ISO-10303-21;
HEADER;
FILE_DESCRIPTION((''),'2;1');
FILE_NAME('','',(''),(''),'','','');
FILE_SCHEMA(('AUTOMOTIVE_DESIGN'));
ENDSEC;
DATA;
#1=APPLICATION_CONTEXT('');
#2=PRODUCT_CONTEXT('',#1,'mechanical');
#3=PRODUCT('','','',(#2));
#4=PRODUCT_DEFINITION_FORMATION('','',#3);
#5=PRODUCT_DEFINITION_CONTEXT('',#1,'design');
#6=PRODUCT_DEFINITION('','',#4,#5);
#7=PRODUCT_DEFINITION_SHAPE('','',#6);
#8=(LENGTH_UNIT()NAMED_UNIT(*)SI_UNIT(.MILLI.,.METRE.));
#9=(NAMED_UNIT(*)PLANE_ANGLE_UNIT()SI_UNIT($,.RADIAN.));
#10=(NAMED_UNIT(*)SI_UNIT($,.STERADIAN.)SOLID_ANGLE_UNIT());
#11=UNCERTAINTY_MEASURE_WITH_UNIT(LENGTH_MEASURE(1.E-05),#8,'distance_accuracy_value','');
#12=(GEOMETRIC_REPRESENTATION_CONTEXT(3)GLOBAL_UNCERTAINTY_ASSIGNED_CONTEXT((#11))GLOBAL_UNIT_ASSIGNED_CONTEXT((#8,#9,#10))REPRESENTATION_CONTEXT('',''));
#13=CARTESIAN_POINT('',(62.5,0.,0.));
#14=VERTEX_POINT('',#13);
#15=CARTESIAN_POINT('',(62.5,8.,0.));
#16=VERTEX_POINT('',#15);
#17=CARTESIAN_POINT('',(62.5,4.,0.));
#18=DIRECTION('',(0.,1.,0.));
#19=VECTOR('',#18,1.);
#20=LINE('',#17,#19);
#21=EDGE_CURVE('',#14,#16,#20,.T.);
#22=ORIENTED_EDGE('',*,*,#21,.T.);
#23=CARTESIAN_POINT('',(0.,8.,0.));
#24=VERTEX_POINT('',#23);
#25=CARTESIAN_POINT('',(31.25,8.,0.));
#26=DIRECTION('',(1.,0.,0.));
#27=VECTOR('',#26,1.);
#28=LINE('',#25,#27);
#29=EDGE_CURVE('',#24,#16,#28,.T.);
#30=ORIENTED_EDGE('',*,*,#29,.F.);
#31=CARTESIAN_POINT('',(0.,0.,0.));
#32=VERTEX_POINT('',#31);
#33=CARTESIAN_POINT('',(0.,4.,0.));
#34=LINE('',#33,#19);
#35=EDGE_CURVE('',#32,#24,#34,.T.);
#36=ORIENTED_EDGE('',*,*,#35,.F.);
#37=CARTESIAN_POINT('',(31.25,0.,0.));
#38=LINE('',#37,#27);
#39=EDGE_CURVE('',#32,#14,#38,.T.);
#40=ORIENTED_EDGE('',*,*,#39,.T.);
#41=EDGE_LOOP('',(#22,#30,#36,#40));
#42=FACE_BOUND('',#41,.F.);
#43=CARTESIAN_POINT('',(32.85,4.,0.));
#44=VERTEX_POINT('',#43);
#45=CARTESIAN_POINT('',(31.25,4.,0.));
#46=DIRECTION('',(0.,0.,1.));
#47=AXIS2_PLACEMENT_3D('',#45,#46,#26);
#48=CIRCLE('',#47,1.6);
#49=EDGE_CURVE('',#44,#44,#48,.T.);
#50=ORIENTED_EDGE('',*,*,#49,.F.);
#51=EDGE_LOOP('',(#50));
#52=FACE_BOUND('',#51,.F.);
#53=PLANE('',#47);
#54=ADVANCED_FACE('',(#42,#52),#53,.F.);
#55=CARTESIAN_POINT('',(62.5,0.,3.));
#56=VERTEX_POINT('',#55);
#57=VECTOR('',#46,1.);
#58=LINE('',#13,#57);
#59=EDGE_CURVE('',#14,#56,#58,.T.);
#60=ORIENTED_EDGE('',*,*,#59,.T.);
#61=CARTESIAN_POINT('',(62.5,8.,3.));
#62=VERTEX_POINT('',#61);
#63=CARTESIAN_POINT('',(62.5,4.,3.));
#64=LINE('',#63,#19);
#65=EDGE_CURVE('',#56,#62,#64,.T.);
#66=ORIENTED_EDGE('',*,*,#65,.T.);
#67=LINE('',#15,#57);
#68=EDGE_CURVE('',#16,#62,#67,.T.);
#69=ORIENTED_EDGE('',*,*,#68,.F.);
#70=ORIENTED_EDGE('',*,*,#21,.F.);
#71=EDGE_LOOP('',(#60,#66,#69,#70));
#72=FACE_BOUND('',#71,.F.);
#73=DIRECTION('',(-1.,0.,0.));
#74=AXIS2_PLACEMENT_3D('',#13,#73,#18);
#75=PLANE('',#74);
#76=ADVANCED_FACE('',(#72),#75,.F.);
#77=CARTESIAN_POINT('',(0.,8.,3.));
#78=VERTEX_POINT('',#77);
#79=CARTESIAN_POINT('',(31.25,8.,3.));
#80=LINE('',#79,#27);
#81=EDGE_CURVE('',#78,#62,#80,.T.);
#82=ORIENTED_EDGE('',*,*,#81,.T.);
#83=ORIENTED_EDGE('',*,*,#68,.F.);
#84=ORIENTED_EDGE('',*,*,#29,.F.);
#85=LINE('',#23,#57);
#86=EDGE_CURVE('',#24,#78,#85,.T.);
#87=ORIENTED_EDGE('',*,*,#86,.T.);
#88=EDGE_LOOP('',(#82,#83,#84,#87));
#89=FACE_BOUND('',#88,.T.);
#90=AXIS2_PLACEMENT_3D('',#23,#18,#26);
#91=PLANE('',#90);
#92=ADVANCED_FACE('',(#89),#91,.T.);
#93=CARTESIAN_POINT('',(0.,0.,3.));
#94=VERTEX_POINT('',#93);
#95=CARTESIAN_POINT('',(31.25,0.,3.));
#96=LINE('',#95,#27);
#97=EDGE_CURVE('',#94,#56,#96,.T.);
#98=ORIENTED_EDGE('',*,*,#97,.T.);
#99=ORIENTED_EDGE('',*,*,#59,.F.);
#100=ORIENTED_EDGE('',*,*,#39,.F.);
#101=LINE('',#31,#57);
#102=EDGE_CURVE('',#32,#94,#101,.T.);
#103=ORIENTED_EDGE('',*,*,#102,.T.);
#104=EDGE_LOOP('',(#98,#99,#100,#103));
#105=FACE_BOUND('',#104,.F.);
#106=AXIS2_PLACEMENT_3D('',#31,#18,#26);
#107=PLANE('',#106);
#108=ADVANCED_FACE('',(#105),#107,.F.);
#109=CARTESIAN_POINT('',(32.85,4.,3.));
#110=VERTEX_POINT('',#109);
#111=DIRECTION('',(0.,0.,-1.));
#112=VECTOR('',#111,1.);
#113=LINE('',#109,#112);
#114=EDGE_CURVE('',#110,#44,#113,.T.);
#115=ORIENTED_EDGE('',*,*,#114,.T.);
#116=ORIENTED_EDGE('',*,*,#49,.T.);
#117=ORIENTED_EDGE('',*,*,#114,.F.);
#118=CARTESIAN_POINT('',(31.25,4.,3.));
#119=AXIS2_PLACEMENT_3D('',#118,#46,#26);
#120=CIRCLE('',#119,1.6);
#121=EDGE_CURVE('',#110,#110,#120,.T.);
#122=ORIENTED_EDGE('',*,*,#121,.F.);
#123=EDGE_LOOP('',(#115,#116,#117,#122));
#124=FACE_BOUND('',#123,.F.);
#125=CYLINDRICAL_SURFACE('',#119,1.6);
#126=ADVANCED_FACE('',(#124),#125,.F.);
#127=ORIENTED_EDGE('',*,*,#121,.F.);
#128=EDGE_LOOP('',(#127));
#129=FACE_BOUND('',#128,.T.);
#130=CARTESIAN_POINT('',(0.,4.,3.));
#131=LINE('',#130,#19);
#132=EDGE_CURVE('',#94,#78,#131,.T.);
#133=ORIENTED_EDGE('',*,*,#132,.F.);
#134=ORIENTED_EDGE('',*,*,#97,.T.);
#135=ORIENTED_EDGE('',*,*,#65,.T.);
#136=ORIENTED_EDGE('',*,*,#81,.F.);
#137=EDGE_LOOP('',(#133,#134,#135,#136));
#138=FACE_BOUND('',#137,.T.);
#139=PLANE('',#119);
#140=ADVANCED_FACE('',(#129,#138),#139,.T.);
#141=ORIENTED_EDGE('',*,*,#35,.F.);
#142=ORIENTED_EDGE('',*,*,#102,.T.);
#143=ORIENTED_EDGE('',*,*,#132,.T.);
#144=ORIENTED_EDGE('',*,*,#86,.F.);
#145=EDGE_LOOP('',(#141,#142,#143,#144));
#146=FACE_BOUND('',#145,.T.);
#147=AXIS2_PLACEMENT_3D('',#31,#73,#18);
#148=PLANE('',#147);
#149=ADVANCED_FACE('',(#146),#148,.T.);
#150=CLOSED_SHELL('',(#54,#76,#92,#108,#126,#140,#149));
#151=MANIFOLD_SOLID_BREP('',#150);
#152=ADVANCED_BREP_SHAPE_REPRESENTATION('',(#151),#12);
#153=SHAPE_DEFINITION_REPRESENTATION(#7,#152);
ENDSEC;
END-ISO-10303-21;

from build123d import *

# Parameters (mm, degrees)
SKETCH_W     = 62.5
SKETCH_H     = 8
PAD_DEPTH    = 3
SKETCH001_R  = 1.6
POCKET_DEPTH = 3.001


with BuildPart() as part:
    # Sketch → Pad (new body)
    with BuildSketch(Plane.XY):
        with Locations((31.25, 4)):
            Rectangle(SKETCH_W, SKETCH_H)
    extrude(amount=PAD_DEPTH)

    # Sketch001 (on Face6 of Pad) → Pocket (cut, through all)
    with BuildSketch(Plane.XY.offset(3)):
        with Locations((31.25, 4)):
            Circle(SKETCH001_R)
    extrude(amount=-POCKET_DEPTH, mode=Mode.SUBTRACT)


solid = part.part
